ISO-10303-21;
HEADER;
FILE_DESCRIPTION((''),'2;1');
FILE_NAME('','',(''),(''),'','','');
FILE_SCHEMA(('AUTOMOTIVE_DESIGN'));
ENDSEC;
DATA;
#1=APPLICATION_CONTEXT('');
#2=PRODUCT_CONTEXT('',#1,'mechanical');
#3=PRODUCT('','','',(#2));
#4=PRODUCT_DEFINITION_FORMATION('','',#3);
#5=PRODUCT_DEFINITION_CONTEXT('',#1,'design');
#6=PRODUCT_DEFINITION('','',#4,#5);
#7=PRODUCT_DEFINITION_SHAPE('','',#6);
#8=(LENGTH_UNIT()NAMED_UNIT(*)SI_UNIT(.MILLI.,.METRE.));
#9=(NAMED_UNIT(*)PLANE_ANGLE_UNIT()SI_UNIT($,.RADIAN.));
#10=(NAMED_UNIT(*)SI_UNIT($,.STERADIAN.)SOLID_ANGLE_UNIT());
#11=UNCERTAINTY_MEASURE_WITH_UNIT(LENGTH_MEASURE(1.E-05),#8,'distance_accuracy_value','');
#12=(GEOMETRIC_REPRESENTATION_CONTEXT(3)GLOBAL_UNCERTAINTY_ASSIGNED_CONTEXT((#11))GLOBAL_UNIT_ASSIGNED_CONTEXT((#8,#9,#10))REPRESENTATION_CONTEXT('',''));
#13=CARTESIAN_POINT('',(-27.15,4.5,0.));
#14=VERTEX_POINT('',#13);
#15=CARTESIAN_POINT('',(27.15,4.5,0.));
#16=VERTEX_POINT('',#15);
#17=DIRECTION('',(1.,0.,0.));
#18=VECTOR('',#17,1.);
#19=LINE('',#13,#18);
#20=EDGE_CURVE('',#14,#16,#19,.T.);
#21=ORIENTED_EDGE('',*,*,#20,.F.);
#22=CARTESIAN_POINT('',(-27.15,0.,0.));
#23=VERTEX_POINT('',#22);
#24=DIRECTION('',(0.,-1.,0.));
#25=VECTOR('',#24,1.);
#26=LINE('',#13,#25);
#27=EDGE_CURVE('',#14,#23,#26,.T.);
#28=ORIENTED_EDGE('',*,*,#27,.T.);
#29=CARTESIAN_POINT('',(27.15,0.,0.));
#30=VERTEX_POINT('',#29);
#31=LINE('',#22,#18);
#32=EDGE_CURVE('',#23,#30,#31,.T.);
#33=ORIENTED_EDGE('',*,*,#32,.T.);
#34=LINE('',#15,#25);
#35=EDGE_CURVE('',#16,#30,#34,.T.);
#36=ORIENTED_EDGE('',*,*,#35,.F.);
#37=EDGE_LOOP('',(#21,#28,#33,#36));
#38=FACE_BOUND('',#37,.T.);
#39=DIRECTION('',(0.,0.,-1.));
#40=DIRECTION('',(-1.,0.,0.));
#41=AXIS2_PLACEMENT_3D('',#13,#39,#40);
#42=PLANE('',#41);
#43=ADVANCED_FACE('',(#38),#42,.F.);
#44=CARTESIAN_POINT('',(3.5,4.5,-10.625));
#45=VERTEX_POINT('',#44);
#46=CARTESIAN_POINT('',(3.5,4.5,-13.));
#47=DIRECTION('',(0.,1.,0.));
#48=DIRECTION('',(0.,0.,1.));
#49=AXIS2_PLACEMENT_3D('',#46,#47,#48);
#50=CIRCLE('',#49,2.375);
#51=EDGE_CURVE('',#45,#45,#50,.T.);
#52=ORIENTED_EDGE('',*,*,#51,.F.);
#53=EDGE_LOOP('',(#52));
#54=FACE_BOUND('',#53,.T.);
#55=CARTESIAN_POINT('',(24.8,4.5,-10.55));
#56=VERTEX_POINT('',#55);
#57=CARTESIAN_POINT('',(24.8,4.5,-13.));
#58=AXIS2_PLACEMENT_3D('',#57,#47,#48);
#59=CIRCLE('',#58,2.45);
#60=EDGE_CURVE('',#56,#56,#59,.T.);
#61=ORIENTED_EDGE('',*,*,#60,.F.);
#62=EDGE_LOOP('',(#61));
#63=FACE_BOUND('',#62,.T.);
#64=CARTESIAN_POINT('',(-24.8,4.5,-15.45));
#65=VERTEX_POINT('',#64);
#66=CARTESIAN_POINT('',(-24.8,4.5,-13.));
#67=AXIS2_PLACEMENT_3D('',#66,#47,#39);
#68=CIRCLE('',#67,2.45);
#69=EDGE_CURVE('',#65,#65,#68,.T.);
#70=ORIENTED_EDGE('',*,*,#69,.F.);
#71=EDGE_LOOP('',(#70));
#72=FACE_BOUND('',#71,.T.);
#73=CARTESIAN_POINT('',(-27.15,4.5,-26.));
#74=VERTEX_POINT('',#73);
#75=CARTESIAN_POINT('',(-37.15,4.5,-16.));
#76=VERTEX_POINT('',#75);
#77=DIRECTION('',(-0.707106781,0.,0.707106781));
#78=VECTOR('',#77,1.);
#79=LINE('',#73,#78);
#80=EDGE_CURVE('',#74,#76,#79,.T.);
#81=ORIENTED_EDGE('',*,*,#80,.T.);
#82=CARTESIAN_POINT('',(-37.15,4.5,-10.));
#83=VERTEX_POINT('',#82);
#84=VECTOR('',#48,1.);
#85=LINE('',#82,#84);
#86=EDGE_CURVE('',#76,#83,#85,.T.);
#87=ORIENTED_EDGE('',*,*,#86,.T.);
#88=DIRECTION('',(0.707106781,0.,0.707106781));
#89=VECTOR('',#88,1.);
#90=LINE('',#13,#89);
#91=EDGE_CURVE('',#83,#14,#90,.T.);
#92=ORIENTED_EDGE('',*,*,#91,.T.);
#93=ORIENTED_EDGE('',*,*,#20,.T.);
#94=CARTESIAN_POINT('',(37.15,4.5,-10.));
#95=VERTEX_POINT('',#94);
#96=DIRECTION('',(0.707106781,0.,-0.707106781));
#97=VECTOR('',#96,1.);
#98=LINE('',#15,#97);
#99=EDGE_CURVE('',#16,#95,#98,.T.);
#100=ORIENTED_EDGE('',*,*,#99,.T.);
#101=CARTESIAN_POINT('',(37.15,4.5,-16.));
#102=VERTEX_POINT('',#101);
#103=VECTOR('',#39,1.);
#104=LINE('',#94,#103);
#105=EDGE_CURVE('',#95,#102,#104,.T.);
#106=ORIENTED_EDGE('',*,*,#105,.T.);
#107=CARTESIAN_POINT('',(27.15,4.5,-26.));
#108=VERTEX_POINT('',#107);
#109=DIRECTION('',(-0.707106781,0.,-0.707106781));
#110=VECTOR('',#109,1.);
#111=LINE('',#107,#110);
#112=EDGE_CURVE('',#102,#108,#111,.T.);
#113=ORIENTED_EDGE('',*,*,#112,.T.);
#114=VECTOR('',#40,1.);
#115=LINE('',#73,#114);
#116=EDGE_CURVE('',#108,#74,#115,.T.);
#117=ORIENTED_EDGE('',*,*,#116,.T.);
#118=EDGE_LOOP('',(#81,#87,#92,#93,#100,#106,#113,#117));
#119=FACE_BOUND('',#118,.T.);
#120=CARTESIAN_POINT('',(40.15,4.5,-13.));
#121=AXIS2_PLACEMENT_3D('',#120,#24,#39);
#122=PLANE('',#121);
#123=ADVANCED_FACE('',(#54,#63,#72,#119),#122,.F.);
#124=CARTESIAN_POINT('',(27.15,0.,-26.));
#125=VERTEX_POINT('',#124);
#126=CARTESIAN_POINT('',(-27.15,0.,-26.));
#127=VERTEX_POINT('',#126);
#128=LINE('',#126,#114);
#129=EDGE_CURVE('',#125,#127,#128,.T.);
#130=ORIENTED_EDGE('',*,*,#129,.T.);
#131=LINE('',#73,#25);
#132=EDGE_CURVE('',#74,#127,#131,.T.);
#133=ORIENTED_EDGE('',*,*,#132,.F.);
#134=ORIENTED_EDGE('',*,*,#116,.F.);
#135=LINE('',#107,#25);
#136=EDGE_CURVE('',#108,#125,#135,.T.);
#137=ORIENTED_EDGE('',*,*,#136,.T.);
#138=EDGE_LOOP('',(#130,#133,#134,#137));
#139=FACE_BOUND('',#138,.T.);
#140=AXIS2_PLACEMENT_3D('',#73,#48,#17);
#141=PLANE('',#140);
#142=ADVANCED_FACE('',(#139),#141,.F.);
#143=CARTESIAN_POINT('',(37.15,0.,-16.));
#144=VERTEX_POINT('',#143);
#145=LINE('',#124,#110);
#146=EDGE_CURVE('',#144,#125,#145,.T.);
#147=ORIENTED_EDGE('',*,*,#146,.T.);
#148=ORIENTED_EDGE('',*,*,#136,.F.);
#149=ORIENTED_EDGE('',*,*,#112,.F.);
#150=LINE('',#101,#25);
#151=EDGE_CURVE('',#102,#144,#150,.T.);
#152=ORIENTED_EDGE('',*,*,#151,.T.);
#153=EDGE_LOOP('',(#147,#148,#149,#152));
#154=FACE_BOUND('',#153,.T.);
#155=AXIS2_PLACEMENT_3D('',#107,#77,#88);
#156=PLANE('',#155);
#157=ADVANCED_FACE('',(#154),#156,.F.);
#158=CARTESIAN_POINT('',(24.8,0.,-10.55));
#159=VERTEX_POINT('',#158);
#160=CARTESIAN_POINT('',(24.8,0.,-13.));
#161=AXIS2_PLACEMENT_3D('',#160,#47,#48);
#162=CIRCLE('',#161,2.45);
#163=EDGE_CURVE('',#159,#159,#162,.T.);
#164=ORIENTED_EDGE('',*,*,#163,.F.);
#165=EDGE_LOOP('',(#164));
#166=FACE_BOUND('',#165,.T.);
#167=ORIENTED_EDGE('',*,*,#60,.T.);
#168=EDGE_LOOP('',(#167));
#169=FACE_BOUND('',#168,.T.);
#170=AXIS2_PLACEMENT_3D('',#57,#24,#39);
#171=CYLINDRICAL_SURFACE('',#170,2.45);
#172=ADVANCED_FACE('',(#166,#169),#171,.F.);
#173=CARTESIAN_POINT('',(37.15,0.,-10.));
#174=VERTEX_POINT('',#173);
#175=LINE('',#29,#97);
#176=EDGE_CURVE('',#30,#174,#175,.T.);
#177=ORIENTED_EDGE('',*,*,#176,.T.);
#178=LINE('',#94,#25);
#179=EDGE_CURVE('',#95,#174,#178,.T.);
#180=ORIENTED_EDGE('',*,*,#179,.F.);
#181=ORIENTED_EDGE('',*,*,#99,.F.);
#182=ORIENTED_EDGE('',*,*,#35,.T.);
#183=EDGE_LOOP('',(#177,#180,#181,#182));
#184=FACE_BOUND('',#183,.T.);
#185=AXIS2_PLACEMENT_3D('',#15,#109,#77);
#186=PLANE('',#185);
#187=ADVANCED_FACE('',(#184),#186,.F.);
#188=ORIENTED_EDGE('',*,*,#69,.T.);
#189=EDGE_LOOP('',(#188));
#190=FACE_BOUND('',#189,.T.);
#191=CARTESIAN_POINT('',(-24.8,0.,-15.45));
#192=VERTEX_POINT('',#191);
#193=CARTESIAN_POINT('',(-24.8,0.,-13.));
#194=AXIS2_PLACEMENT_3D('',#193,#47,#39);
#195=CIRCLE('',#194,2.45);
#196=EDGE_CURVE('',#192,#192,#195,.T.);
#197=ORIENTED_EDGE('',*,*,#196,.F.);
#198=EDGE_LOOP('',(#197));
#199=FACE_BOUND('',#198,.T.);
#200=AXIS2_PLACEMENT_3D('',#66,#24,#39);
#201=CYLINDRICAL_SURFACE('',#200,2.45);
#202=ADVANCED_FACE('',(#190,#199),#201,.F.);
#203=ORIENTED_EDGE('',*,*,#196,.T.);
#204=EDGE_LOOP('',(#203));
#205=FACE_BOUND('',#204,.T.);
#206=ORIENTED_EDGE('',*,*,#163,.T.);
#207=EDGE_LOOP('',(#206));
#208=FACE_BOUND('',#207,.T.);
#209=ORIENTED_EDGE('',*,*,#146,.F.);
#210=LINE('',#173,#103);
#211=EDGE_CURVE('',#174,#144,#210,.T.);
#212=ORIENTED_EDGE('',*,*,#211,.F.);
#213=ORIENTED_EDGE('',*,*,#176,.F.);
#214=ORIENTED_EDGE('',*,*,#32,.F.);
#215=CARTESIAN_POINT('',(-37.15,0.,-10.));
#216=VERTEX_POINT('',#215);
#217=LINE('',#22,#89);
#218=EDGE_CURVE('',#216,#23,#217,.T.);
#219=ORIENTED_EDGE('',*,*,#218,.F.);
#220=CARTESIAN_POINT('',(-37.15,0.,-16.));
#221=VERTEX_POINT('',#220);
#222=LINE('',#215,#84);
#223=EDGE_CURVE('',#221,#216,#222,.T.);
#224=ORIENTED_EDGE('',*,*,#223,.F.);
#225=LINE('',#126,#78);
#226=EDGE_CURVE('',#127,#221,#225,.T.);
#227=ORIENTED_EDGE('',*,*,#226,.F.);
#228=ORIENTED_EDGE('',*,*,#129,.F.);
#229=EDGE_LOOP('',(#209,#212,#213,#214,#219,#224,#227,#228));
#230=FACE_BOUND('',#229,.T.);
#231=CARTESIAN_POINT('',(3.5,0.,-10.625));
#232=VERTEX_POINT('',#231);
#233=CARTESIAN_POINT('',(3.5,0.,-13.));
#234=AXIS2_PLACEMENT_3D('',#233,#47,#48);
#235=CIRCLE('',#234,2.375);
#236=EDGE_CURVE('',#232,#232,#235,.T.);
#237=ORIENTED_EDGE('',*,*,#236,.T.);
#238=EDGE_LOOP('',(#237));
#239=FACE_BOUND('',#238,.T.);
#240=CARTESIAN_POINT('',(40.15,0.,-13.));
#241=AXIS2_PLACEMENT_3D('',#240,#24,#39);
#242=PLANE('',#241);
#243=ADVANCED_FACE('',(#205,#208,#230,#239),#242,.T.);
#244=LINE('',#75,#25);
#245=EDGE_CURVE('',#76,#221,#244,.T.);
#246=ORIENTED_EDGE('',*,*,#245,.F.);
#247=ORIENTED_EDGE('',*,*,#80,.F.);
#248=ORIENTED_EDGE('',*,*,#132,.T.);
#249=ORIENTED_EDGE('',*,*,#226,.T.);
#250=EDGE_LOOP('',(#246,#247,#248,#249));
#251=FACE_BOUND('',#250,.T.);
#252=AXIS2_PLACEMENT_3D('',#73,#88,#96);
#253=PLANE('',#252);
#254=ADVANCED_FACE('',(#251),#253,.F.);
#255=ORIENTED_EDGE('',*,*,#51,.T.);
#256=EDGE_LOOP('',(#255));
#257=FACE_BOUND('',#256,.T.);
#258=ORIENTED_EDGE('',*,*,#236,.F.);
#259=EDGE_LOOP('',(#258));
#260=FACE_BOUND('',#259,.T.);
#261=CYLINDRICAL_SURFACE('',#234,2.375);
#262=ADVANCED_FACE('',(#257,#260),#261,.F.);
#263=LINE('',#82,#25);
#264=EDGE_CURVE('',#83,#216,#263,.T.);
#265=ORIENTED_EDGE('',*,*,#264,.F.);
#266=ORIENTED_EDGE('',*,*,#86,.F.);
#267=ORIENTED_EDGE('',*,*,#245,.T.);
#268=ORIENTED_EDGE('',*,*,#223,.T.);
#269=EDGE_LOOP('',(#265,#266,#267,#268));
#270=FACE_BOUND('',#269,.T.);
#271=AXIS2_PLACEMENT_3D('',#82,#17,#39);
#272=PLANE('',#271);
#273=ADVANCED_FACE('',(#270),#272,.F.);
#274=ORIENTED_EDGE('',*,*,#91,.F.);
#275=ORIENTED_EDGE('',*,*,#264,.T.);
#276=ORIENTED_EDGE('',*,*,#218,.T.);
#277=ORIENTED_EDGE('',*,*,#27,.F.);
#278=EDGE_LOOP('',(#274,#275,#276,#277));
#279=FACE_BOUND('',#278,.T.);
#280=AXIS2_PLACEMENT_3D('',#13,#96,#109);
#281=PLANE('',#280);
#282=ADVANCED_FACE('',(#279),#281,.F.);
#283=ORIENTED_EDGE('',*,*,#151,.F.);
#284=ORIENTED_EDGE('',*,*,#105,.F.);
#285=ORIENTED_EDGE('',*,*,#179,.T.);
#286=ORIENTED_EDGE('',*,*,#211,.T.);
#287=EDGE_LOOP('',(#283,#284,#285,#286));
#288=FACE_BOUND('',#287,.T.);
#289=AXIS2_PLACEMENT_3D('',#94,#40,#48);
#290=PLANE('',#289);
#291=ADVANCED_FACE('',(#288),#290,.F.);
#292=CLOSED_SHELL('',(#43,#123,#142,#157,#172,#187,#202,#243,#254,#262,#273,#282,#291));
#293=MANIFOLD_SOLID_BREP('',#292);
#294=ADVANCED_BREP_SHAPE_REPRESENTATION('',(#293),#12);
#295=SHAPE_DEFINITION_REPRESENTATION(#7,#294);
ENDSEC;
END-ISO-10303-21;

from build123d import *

# Parameters (mm, degrees)
SKETCH1_R           = 2.45
BOSS_EXTRUDE1_DEPTH = 4.5
SKETCH2_R           = 2.375
CUT_EXTRUDE1_DEPTH  = 5.5


with BuildPart() as part:
    # Sketch1 → Boss-Extrude1 (new body)
    with BuildSketch(Plane(origin=(0, 0, 0), x_dir=(1, 0, 0), z_dir=(0, 1, 0))):
        Polygon((27.15, 26), (37.15, 16), (37.15, 10), (27.15, 0), (-27.15, 0), (-37.15, 10), (-37.15, 16), (-27.15, 26), align=None)
        with Locations((24.8, 13)):
            Circle(SKETCH1_R, mode=Mode.SUBTRACT)
        with Locations((-24.8, 13)):
            Circle(SKETCH1_R, mode=Mode.SUBTRACT)
    extrude(amount=BOSS_EXTRUDE1_DEPTH)

    # Sketch2 → Cut-Extrude1 (cut, through all)
    with BuildSketch(Plane(origin=(0, 4.5, 0), x_dir=(1, 0, 0), z_dir=(0, 1, 0))):
        with Locations((3.5, 13)):
            Circle(SKETCH2_R)
    extrude(amount=-CUT_EXTRUDE1_DEPTH, mode=Mode.SUBTRACT)


solid = part.part
